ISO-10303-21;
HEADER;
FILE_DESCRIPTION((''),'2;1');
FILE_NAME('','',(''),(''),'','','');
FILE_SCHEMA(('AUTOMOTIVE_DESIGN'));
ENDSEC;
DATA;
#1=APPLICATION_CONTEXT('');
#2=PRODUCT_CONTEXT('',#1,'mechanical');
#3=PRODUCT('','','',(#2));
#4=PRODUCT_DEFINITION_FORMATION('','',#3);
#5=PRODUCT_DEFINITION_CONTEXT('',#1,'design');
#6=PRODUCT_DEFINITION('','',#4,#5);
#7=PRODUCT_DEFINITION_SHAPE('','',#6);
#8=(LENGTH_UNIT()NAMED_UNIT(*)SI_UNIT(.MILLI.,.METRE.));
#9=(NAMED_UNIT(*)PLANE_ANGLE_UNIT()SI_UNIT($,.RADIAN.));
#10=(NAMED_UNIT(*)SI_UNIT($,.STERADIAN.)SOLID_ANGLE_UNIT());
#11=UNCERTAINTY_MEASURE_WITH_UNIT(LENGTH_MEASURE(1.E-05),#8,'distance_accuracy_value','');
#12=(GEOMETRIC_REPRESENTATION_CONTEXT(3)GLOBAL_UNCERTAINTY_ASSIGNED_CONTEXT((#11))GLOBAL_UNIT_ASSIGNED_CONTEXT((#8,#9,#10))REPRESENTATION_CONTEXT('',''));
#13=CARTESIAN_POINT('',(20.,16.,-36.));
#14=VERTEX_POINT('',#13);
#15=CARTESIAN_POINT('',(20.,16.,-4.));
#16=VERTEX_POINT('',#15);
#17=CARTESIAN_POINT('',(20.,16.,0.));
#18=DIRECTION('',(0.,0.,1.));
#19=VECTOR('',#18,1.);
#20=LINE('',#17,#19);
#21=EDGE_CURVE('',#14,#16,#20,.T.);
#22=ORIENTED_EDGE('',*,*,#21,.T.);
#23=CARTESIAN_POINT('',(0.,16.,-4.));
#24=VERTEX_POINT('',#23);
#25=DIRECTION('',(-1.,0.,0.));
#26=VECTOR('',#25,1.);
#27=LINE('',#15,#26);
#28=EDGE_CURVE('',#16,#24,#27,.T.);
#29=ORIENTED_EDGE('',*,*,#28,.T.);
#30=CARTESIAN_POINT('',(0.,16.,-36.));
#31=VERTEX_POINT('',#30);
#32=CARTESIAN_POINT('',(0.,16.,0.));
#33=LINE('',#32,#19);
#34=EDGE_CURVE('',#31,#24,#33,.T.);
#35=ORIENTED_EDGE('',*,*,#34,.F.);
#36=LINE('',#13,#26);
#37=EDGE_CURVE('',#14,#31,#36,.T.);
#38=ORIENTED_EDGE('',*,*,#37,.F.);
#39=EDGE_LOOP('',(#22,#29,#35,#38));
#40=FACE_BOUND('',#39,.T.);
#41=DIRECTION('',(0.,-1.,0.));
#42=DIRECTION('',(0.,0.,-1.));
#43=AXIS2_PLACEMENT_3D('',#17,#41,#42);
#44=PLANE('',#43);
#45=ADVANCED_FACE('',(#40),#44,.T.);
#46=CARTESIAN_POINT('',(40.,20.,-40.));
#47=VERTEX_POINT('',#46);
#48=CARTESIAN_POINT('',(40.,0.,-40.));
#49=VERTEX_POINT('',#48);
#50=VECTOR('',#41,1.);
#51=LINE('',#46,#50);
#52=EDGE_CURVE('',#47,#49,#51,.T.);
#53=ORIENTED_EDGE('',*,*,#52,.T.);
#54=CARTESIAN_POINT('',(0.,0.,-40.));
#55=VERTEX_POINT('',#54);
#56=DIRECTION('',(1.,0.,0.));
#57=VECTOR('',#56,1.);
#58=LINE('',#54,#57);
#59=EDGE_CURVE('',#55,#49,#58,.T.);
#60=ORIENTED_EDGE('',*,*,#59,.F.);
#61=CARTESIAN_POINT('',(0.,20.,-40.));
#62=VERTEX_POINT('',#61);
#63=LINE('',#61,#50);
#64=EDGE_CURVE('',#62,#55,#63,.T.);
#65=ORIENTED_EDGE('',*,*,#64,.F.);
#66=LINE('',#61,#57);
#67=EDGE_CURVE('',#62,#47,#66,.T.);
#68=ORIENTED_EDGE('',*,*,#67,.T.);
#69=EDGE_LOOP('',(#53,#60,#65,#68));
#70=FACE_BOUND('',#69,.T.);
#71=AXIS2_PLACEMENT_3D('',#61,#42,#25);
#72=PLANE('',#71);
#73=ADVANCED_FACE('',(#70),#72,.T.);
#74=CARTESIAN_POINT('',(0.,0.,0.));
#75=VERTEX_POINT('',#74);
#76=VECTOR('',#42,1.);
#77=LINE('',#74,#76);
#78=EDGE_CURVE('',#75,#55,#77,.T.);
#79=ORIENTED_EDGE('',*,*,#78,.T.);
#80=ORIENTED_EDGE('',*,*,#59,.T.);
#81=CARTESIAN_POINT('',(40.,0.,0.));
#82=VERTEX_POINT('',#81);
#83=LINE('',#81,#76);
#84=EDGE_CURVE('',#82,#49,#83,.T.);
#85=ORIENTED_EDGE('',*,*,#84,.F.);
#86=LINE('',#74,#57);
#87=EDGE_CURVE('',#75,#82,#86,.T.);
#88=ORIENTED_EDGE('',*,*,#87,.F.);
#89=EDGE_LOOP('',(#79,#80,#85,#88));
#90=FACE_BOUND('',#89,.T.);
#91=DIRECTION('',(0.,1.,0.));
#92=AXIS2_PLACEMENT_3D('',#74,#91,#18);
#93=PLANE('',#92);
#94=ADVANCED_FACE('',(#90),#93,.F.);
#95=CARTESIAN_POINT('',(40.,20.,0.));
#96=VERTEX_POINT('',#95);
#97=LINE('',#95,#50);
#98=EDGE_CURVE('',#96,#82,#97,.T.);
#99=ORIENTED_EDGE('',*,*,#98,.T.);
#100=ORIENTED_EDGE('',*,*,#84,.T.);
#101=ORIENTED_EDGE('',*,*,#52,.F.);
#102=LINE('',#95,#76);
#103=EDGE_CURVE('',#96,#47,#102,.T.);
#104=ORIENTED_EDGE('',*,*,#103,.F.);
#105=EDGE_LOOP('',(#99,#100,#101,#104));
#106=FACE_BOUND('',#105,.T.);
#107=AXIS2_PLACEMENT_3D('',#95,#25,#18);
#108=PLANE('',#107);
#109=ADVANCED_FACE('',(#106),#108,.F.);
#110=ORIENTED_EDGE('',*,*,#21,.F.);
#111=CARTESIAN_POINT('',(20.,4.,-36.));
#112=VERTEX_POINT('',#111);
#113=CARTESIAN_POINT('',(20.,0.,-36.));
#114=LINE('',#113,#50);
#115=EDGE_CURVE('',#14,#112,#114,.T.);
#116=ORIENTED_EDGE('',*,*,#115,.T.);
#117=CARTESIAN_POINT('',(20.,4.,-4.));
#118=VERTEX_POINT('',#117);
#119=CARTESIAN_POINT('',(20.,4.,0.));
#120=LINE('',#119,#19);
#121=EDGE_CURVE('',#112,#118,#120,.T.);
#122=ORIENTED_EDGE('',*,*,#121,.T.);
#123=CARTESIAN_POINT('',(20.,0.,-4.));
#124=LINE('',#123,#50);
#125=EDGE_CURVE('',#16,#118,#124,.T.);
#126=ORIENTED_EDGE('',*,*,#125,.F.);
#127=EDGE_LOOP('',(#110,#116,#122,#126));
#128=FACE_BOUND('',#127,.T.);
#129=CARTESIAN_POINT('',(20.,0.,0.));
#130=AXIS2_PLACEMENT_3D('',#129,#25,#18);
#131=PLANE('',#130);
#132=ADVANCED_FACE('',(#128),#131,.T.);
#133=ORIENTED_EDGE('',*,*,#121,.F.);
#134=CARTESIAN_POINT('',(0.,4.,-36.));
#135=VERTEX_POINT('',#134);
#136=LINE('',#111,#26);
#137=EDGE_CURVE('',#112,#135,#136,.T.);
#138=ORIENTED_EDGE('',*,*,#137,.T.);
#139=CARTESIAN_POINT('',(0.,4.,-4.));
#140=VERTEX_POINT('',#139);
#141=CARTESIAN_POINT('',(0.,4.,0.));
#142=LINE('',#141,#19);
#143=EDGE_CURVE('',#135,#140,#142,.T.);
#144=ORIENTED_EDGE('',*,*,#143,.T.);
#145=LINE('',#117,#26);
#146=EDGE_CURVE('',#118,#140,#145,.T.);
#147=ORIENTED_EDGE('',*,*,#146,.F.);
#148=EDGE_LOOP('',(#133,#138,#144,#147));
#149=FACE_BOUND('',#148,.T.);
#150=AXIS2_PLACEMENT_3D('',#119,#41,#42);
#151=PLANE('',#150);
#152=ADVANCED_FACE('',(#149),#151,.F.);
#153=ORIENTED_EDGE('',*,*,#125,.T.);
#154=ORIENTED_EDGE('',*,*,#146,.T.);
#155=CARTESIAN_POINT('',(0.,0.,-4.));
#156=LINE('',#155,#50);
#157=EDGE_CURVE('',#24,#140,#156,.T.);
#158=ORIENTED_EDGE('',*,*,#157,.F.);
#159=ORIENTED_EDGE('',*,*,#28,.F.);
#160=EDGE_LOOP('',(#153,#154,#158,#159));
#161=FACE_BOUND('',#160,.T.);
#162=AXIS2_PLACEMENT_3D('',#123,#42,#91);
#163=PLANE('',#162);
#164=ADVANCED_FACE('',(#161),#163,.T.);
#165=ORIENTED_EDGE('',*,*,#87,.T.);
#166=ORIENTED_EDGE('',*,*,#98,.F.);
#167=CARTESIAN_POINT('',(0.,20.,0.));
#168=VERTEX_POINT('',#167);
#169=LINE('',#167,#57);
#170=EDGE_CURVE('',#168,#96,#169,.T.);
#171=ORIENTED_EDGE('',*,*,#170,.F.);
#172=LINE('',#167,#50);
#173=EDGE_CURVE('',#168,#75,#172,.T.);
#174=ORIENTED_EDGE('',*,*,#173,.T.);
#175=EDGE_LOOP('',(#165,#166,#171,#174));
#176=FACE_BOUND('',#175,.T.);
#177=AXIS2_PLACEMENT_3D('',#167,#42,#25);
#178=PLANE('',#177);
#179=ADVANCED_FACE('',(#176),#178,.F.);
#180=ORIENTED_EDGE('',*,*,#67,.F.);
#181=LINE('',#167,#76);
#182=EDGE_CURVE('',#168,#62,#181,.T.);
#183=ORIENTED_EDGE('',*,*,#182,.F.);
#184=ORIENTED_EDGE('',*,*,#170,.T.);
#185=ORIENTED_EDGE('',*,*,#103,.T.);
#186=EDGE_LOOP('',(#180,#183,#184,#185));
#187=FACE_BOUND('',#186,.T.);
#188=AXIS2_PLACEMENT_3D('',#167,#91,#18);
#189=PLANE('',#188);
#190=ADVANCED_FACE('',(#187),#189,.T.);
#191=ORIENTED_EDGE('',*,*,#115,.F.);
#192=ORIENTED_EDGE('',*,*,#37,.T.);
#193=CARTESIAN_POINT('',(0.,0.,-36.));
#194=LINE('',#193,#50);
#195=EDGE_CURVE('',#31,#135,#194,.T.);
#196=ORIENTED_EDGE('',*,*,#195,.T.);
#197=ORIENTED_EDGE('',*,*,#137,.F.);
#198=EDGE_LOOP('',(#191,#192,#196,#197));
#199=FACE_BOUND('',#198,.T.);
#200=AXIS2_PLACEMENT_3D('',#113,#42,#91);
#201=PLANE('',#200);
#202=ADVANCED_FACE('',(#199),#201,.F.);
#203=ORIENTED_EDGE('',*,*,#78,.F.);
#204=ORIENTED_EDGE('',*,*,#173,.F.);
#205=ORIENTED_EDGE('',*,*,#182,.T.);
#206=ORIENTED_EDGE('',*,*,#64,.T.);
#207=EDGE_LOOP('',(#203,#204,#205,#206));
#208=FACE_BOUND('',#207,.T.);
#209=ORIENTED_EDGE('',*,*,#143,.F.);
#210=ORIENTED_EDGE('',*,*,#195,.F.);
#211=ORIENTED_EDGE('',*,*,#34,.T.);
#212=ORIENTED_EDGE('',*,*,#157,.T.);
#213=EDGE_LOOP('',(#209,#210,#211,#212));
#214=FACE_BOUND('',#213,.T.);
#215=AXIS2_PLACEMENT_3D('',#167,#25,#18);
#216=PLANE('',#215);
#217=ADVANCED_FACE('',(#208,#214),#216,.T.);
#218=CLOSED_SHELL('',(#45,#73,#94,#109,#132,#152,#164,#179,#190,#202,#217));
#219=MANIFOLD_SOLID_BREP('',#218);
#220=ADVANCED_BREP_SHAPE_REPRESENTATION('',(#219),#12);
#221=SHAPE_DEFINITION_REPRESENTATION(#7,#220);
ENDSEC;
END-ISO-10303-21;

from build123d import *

# Parameters (mm, degrees)
SKETCH_1_W          = 40
SKETCH_1_H          = 40
EXTRUDE_2_DEPTH     = 20
SKETCH_2_W          = 32
SKETCH_2_H          = 12
CUT_EXTRUDE_1_DEPTH = 20


with BuildPart() as part:
    # 草图1 → 凸台-拉伸2 (new body)
    with BuildSketch(Plane(origin=(0, 0, 0), x_dir=(1, 0, 0), z_dir=(0, 1, 0))):
        with Locations((20, 20)):
            Rectangle(SKETCH_1_W, SKETCH_1_H)
    extrude(amount=EXTRUDE_2_DEPTH)

    # 草图2 → 切除-拉伸1 (cut)
    with BuildSketch(Plane.ZY):
        with Locations((-20, 10)):
            Rectangle(SKETCH_2_W, SKETCH_2_H)
    extrude(amount=-CUT_EXTRUDE_1_DEPTH, mode=Mode.SUBTRACT)


solid = part.part
